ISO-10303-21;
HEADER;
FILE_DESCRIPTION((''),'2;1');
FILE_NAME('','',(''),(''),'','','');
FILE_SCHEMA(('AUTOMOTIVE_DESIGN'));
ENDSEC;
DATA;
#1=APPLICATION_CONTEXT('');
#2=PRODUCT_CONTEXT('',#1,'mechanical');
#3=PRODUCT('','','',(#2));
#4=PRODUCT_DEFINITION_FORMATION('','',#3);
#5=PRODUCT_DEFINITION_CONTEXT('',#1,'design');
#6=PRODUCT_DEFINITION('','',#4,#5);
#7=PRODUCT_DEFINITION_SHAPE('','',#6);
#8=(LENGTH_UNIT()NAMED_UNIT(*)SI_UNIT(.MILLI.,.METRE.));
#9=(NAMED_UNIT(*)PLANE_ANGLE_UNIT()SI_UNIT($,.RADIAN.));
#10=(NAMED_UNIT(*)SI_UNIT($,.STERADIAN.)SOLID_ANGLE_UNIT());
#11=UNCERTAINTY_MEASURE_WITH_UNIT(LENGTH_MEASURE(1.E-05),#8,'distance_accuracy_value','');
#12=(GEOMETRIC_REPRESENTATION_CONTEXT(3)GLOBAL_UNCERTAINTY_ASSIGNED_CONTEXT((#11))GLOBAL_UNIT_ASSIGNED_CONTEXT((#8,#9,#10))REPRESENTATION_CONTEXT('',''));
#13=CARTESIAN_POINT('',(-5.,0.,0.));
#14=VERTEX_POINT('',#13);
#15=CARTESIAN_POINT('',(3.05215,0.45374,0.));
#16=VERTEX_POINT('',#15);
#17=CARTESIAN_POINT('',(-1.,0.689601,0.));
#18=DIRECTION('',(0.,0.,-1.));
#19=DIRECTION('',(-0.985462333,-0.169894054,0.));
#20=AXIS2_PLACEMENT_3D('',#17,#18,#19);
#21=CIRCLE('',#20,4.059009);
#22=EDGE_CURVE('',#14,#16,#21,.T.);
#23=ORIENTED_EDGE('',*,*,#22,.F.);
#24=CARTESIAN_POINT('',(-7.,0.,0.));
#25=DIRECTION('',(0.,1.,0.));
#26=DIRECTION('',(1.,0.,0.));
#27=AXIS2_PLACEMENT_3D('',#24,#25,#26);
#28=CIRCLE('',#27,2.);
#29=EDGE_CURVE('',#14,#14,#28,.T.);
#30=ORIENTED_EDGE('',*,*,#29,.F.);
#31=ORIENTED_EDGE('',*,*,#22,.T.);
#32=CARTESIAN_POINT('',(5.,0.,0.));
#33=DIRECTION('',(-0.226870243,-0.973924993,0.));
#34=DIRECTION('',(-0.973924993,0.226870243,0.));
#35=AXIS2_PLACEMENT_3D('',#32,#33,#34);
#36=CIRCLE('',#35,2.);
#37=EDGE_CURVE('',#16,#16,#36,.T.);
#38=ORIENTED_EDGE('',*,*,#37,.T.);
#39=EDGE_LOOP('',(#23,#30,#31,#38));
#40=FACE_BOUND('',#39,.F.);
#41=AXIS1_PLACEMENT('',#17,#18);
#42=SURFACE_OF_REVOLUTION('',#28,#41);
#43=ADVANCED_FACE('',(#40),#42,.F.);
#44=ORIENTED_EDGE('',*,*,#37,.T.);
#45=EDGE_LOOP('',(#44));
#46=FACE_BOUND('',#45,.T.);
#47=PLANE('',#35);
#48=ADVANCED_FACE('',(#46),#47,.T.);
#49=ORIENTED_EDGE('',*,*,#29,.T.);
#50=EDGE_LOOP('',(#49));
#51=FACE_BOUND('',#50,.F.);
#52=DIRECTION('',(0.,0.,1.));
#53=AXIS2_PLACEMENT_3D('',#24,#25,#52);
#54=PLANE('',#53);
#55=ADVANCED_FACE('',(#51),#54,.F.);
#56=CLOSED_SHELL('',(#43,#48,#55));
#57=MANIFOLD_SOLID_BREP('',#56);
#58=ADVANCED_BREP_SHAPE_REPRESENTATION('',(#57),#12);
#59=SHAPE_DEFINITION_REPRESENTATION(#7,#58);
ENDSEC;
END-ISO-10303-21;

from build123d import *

# Parameters (mm, degrees)
SKETCH1_R = 2


with BuildPart() as part:
    # Sweep1: sweep along a curve in space
    with BuildLine() as sweep1_path:
        ThreePointArc((-7, 0, 0), (-1, 6.72910057, 0), (5, 0, 0))
    # Sketch1 → Sweep1 (sweep)
    with BuildSketch(Plane(origin=(0, 0, 0), x_dir=(1, 0, 0), z_dir=(0, 1, 0))):
        with Locations((-7, 0)):
            Circle(SKETCH1_R)
    sweep(path=sweep1_path.line)


solid = part.part
